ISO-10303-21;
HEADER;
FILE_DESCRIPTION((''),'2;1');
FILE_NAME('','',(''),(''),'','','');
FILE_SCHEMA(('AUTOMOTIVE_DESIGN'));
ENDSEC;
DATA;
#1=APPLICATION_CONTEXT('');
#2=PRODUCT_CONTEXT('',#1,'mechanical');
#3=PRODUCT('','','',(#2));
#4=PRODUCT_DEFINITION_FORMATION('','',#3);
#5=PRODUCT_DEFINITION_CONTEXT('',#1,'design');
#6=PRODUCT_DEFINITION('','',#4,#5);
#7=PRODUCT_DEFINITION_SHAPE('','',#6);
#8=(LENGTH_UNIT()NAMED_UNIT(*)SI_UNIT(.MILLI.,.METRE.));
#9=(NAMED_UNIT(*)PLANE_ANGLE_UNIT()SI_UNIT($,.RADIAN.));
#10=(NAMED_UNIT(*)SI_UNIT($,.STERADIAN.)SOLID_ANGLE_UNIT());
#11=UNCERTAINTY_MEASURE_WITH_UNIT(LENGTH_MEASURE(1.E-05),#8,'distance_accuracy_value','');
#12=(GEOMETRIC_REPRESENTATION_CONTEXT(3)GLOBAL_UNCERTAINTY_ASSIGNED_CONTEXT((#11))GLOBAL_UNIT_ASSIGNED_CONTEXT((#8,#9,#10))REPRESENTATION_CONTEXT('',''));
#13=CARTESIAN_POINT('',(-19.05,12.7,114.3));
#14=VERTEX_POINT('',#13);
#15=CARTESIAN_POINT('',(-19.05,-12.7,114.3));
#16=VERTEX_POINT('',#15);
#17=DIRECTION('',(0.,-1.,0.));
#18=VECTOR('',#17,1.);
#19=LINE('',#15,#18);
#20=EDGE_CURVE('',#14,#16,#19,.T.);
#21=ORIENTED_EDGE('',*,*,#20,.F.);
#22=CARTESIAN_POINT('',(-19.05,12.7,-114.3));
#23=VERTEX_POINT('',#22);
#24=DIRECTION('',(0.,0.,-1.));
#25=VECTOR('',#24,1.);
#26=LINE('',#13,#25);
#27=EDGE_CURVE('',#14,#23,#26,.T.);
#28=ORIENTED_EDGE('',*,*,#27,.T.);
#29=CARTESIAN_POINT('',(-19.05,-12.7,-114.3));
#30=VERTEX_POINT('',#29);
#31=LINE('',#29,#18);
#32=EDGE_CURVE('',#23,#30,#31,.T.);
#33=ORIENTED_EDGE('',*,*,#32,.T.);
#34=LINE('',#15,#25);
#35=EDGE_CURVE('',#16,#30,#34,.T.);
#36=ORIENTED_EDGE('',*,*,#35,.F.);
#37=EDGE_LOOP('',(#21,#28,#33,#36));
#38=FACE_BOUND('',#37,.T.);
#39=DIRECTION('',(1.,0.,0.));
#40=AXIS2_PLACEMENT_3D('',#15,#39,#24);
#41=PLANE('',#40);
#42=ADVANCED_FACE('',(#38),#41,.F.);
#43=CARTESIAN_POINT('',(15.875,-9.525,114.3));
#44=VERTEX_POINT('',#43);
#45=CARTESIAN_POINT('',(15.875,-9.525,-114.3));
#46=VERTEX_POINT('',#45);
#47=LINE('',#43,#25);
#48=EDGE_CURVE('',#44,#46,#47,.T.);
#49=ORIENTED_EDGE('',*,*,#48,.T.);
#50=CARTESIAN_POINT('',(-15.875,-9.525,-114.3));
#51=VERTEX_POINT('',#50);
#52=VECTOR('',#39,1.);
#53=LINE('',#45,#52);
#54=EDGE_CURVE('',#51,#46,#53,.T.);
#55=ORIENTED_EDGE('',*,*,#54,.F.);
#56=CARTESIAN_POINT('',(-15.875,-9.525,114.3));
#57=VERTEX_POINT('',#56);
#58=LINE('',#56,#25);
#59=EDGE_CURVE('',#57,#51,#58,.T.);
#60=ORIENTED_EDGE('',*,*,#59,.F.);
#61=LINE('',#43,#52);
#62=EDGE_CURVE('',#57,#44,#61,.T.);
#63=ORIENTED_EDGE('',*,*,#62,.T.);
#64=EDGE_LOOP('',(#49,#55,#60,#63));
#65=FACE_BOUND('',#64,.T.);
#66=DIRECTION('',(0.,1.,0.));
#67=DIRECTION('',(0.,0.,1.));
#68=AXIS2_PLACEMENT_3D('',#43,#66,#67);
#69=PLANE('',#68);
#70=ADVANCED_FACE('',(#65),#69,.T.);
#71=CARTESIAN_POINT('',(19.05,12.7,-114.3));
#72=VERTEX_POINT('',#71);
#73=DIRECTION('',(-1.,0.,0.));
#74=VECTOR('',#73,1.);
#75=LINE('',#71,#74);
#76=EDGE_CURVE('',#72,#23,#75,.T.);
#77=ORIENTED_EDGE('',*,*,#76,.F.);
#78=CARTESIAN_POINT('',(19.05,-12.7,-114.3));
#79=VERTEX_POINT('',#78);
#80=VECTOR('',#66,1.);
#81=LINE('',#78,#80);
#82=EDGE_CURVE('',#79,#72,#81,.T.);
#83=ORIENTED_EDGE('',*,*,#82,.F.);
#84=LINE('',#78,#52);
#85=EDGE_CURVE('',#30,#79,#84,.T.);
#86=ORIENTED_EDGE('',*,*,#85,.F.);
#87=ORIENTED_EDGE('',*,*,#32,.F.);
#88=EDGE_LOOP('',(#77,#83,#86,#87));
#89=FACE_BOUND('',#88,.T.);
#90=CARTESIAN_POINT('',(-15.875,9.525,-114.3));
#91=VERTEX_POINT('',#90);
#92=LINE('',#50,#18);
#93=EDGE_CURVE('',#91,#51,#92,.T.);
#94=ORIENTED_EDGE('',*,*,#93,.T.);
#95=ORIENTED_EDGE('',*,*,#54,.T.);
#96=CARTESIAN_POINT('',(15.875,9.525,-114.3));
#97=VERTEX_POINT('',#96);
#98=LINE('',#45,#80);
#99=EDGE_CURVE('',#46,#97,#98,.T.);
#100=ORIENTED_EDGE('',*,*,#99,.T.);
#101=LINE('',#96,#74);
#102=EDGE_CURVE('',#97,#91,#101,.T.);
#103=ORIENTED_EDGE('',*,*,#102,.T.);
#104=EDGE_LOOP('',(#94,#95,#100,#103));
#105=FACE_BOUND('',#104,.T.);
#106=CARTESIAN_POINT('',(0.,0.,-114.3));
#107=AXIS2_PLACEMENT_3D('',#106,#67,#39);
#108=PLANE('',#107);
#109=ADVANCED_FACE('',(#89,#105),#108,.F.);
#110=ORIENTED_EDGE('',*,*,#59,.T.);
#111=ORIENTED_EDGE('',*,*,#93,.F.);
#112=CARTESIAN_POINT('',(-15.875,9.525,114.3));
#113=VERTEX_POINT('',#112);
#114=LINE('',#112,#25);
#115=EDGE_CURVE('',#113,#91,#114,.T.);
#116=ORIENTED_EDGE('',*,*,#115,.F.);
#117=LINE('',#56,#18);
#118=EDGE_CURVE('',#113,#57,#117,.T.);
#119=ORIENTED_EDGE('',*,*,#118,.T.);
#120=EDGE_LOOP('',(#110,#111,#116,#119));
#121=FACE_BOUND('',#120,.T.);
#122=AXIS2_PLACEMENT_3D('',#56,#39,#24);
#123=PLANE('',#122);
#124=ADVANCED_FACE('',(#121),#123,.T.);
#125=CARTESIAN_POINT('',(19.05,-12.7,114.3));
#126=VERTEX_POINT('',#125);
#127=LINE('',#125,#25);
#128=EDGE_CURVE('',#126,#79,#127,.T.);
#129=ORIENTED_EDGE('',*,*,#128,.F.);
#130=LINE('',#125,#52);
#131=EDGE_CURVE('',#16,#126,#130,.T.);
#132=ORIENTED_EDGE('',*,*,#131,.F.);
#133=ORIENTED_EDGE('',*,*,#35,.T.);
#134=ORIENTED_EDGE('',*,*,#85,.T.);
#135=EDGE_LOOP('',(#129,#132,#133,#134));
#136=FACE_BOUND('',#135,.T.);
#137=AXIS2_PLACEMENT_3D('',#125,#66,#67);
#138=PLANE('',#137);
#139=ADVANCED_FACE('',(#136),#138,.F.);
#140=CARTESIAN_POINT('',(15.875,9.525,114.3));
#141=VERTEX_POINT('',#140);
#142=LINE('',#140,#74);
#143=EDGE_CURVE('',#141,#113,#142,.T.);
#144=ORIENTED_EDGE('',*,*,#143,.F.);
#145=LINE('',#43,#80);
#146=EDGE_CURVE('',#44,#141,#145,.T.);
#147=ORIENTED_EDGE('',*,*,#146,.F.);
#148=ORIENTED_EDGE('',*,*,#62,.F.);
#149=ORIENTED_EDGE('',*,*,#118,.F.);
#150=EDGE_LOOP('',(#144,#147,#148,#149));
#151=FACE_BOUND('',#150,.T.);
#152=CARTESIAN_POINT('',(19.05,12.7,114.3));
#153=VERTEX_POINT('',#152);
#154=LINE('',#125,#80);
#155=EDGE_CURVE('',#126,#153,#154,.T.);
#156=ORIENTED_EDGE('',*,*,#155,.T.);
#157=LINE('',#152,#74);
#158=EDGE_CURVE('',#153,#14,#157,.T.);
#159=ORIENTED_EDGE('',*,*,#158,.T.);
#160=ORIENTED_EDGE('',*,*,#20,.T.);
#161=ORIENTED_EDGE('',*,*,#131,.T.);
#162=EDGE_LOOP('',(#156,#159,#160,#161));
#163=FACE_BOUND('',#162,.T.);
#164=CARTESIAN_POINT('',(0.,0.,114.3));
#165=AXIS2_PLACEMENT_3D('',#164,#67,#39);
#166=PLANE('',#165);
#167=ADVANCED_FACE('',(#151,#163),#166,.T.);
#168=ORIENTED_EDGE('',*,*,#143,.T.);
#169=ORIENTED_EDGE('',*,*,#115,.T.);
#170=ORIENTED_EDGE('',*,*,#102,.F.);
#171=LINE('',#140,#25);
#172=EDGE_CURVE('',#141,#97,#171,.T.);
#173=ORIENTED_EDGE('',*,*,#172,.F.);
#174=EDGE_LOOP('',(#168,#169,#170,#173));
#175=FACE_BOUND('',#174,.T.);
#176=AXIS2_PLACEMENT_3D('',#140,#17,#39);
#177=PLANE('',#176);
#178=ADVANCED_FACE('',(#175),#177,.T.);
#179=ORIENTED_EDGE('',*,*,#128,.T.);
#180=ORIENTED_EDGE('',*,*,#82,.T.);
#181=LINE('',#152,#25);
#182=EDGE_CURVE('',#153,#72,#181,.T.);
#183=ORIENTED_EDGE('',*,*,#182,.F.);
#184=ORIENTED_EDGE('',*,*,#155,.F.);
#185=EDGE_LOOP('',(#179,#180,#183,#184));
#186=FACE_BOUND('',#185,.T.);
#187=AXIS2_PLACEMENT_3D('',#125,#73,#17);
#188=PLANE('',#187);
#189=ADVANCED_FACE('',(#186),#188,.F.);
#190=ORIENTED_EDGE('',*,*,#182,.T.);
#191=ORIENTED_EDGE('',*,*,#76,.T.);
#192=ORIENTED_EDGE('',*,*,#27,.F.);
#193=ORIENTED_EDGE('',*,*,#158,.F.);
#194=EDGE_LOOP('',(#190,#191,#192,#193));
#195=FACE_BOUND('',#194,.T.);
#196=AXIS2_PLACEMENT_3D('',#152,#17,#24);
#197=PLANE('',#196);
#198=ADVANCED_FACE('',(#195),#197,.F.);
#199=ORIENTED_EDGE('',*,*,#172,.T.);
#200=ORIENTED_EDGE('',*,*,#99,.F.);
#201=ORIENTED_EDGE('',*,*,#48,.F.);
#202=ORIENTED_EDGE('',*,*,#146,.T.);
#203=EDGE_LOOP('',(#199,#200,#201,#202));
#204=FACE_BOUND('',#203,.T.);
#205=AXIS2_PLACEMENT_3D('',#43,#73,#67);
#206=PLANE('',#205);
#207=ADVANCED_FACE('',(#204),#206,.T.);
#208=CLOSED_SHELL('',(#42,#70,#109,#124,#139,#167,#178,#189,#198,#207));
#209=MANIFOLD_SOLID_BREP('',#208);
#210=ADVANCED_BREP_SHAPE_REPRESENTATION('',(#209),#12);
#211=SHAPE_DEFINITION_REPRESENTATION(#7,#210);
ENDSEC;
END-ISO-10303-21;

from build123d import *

# Parameters (mm, degrees)
BOSS_EXTRUDE1_DEPTH      = 114.3
BOSS_EXTRUDE1_DEPTH_BACK = 114.3
SKETCH3_W                = 38.1
SKETCH3_H                = 25.4
SKETCH3_W_2              = 31.75
SKETCH3_H_2              = 19.05


with BuildPart() as part:
    # Sketch3 → Boss-Extrude1 (new, two sides: drawn at the far end of the back side and taken through both)
    with BuildSketch(Plane.XY.offset(-BOSS_EXTRUDE1_DEPTH_BACK)):
        Rectangle(SKETCH3_W, SKETCH3_H)
        Rectangle(SKETCH3_W_2, SKETCH3_H_2, mode=Mode.SUBTRACT)
    extrude(amount=BOSS_EXTRUDE1_DEPTH + BOSS_EXTRUDE1_DEPTH_BACK)


solid = part.part
